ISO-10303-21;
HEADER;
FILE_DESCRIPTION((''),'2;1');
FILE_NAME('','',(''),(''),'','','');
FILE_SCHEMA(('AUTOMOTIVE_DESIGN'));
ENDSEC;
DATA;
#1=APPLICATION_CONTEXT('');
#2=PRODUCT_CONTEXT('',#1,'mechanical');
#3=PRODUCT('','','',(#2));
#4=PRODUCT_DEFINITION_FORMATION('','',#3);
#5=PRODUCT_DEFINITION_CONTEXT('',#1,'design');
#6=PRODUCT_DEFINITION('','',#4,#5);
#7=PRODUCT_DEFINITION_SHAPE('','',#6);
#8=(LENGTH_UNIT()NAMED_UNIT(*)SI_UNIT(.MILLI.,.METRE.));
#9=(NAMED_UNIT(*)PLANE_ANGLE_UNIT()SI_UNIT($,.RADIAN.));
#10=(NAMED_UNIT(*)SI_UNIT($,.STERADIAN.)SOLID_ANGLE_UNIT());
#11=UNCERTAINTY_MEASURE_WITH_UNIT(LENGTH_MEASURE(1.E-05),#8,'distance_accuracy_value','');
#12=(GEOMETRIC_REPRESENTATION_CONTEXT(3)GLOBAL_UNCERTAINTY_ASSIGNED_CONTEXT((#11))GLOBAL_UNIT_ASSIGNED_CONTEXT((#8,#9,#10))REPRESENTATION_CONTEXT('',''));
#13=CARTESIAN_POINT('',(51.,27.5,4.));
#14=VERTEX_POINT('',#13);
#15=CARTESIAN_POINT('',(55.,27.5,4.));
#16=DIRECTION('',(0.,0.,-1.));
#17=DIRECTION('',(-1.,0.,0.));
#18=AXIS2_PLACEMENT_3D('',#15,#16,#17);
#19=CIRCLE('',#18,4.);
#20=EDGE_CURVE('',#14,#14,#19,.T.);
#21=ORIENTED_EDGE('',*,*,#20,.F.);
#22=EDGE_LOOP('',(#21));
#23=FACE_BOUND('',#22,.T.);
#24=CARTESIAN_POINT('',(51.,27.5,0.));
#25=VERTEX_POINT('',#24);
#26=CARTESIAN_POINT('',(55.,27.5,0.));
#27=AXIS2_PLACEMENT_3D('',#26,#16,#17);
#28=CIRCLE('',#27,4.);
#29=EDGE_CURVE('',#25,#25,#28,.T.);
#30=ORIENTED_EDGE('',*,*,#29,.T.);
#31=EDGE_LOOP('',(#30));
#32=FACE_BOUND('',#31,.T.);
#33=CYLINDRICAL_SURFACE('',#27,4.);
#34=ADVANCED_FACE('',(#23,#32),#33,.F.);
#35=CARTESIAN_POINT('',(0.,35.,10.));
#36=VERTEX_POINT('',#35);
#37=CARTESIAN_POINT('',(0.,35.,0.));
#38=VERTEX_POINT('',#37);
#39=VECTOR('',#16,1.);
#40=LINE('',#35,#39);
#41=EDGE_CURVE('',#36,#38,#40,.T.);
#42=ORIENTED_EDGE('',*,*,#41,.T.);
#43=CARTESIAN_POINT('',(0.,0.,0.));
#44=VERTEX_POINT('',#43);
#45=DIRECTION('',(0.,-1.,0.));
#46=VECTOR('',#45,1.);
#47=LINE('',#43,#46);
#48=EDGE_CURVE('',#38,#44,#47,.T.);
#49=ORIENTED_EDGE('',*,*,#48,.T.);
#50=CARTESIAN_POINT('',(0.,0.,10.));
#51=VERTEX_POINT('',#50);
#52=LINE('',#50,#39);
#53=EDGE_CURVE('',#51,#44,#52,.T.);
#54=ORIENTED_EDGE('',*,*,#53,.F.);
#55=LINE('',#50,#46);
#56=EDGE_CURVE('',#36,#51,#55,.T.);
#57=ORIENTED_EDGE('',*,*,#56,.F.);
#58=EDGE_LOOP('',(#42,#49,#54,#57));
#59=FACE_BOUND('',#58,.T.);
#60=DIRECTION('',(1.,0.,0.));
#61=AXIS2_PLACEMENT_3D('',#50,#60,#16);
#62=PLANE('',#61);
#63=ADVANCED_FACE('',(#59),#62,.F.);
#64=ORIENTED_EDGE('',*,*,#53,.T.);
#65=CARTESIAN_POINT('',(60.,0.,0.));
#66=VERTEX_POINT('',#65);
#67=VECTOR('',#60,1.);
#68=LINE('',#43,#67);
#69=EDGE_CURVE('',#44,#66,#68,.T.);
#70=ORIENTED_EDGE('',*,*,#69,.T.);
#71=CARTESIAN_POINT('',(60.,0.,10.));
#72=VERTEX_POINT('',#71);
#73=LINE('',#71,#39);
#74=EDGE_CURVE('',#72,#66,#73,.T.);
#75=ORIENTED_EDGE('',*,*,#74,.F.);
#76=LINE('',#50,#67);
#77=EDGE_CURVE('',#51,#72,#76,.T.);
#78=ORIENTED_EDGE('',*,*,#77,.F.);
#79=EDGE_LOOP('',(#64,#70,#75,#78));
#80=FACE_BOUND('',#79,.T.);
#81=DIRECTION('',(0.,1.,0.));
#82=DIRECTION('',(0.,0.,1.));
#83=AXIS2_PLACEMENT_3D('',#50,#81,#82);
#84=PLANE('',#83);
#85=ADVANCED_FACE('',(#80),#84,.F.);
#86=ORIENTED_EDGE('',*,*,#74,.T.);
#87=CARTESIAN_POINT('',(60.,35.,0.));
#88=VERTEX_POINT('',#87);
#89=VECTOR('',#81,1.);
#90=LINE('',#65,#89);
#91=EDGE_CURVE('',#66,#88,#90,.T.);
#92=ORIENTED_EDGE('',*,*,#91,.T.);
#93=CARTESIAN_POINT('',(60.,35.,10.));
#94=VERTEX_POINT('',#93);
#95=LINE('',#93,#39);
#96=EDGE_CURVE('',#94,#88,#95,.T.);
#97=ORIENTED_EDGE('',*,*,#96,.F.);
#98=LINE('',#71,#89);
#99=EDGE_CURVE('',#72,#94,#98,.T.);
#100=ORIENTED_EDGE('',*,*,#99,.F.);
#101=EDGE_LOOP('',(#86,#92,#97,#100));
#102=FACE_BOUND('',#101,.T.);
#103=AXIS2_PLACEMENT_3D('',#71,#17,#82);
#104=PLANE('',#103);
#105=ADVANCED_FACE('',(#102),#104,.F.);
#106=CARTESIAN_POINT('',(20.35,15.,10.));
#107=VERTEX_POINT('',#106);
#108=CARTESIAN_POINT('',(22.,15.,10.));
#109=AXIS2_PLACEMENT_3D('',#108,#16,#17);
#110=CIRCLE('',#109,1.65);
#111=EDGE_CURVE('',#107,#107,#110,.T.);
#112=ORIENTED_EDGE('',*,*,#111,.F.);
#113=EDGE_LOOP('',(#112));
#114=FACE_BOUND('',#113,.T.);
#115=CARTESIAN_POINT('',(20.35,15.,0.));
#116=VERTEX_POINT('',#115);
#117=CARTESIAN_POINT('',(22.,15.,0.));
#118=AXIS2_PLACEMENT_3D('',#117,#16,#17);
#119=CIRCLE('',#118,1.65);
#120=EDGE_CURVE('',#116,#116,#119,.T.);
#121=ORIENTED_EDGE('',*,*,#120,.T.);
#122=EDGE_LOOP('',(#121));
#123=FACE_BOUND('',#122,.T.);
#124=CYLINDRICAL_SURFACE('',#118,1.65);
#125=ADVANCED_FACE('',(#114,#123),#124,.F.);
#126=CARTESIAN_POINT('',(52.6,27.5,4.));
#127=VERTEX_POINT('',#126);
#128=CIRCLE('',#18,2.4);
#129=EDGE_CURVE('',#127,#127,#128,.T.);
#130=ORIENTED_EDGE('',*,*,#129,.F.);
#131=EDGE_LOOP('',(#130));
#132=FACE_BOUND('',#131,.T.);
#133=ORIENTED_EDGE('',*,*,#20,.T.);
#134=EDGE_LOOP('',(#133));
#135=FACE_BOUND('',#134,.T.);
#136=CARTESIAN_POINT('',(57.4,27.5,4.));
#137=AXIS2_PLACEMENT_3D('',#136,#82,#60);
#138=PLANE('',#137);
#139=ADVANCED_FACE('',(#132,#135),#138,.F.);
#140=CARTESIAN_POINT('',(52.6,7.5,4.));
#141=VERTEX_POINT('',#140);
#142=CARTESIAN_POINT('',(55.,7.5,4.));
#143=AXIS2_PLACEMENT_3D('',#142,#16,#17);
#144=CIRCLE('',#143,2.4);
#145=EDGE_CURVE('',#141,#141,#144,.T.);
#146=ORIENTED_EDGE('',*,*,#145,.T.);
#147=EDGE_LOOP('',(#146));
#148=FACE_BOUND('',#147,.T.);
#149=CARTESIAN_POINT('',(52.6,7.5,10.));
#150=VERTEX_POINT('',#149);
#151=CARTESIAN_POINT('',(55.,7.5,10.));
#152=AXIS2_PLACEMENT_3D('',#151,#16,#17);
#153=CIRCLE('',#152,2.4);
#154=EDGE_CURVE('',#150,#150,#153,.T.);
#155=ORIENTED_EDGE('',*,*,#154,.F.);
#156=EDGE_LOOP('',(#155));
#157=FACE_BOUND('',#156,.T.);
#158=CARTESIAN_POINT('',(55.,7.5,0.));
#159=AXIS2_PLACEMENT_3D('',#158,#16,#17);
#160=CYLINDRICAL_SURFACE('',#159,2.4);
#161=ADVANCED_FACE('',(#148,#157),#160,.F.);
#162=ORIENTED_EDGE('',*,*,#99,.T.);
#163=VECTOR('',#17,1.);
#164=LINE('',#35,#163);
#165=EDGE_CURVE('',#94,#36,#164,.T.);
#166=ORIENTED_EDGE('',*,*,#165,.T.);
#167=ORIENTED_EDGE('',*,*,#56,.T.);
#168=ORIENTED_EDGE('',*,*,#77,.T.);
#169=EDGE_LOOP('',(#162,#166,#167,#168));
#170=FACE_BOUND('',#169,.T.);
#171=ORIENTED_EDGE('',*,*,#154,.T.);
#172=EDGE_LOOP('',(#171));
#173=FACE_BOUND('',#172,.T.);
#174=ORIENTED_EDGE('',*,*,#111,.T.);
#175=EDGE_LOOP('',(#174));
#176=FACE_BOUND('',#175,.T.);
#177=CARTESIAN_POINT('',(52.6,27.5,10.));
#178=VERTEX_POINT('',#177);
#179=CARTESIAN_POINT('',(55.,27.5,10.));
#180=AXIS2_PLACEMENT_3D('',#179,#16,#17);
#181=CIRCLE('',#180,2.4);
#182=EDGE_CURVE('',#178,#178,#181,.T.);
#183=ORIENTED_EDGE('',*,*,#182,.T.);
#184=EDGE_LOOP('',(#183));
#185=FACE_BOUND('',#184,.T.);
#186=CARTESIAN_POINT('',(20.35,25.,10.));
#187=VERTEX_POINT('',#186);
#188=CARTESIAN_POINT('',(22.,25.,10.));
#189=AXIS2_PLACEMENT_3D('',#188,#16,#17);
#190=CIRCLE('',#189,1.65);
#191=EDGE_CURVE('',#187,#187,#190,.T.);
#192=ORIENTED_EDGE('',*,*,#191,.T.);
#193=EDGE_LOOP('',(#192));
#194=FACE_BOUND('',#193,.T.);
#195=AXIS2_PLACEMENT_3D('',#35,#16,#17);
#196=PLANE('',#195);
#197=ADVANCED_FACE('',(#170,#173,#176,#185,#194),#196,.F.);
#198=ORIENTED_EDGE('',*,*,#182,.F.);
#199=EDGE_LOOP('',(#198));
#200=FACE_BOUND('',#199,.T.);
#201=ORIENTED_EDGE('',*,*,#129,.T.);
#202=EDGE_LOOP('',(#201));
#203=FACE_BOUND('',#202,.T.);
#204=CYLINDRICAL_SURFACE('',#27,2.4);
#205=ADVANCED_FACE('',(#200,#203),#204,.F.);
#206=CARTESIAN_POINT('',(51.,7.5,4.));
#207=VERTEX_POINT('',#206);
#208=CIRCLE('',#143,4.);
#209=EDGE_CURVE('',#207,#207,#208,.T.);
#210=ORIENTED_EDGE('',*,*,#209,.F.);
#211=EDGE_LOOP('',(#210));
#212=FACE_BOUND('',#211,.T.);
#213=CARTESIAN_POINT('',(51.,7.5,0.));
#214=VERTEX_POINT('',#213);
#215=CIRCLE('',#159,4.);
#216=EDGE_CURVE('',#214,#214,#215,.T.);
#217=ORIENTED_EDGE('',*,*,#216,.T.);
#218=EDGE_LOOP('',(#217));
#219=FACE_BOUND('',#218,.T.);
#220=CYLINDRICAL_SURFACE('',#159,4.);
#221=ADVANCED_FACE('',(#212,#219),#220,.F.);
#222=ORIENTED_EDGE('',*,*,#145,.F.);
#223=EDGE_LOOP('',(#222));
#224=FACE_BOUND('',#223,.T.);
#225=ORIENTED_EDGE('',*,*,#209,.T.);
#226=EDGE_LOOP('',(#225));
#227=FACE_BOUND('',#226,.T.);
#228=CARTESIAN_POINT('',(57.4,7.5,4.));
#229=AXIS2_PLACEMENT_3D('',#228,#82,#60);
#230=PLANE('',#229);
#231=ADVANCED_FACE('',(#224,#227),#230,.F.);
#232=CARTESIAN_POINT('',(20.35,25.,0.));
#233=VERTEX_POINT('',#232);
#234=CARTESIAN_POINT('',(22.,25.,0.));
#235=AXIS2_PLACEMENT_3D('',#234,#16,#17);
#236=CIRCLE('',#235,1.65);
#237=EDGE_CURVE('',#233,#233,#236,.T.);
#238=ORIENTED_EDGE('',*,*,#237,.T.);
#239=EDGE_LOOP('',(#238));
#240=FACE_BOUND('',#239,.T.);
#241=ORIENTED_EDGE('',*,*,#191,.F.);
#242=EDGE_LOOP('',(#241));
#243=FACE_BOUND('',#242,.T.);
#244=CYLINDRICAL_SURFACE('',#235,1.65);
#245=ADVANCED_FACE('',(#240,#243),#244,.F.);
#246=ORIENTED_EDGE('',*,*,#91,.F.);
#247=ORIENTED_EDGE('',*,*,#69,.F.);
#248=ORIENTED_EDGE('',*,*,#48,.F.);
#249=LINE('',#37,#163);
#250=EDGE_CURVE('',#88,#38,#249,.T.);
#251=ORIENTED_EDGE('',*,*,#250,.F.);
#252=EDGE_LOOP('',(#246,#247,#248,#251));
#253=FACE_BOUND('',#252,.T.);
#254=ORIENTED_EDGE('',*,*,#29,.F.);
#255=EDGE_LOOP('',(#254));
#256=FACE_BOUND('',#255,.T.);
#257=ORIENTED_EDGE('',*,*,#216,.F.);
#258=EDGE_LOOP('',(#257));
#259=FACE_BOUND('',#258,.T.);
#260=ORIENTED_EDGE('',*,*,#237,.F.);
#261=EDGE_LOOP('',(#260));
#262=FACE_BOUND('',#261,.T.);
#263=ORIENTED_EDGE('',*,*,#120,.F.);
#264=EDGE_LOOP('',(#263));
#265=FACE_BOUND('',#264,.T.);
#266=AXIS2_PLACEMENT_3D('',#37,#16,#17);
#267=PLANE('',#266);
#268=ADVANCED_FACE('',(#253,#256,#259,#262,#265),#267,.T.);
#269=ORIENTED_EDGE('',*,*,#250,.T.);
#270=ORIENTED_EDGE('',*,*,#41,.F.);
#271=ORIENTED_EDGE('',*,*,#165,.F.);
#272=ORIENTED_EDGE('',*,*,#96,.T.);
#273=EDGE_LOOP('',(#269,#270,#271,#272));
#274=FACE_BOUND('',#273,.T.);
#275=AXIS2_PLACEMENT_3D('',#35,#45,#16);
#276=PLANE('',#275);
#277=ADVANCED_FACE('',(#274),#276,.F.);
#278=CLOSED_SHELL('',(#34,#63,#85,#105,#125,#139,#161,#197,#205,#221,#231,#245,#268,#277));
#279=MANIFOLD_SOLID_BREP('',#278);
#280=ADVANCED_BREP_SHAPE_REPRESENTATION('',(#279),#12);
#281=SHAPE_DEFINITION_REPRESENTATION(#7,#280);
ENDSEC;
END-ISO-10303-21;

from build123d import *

# Parameters (mm, degrees)
SKETCH_1_W                   = 60
SKETCH_1_H                   = 35
EXTRUDE_1_DEPTH              = 10
HOLE_WIZARD_M4_1_D           = 4.8
HOLE_WIZARD_M4_1_CBORE_D     = 8
HOLE_WIZARD_M4_1_CBORE_DEPTH = 4
HOLE_WIZARD_M4_1_2_D         = 3.3


with BuildPart() as part:
    # 草图1 → 凸台-拉伸1 (new body)
    with BuildSketch(Plane.XY):
        with Locations((30, 17.5)):
            Rectangle(SKETCH_1_W, SKETCH_1_H)
    extrude(amount=EXTRUDE_1_DEPTH)

    # Hole Wizard M4 _1 (through all)
    with Locations(Plane(origin=(0, 0, 0), x_dir=(-1, 0, 0), z_dir=(0, 0, -1))):
        with Locations((-55, 7.5), (-55, 27.5)):
            CounterBoreHole(HOLE_WIZARD_M4_1_D / 2, HOLE_WIZARD_M4_1_CBORE_D / 2, HOLE_WIZARD_M4_1_CBORE_DEPTH)

    # Hole Wizard M4 _1 2 (through all)
    with Locations(Plane(origin=(0, 0, 0), x_dir=(-1, 0, 0), z_dir=(0, 0, -1))):
        with Locations((-22, 25), (-22, 15)):
            Hole(HOLE_WIZARD_M4_1_2_D / 2)


solid = part.part
